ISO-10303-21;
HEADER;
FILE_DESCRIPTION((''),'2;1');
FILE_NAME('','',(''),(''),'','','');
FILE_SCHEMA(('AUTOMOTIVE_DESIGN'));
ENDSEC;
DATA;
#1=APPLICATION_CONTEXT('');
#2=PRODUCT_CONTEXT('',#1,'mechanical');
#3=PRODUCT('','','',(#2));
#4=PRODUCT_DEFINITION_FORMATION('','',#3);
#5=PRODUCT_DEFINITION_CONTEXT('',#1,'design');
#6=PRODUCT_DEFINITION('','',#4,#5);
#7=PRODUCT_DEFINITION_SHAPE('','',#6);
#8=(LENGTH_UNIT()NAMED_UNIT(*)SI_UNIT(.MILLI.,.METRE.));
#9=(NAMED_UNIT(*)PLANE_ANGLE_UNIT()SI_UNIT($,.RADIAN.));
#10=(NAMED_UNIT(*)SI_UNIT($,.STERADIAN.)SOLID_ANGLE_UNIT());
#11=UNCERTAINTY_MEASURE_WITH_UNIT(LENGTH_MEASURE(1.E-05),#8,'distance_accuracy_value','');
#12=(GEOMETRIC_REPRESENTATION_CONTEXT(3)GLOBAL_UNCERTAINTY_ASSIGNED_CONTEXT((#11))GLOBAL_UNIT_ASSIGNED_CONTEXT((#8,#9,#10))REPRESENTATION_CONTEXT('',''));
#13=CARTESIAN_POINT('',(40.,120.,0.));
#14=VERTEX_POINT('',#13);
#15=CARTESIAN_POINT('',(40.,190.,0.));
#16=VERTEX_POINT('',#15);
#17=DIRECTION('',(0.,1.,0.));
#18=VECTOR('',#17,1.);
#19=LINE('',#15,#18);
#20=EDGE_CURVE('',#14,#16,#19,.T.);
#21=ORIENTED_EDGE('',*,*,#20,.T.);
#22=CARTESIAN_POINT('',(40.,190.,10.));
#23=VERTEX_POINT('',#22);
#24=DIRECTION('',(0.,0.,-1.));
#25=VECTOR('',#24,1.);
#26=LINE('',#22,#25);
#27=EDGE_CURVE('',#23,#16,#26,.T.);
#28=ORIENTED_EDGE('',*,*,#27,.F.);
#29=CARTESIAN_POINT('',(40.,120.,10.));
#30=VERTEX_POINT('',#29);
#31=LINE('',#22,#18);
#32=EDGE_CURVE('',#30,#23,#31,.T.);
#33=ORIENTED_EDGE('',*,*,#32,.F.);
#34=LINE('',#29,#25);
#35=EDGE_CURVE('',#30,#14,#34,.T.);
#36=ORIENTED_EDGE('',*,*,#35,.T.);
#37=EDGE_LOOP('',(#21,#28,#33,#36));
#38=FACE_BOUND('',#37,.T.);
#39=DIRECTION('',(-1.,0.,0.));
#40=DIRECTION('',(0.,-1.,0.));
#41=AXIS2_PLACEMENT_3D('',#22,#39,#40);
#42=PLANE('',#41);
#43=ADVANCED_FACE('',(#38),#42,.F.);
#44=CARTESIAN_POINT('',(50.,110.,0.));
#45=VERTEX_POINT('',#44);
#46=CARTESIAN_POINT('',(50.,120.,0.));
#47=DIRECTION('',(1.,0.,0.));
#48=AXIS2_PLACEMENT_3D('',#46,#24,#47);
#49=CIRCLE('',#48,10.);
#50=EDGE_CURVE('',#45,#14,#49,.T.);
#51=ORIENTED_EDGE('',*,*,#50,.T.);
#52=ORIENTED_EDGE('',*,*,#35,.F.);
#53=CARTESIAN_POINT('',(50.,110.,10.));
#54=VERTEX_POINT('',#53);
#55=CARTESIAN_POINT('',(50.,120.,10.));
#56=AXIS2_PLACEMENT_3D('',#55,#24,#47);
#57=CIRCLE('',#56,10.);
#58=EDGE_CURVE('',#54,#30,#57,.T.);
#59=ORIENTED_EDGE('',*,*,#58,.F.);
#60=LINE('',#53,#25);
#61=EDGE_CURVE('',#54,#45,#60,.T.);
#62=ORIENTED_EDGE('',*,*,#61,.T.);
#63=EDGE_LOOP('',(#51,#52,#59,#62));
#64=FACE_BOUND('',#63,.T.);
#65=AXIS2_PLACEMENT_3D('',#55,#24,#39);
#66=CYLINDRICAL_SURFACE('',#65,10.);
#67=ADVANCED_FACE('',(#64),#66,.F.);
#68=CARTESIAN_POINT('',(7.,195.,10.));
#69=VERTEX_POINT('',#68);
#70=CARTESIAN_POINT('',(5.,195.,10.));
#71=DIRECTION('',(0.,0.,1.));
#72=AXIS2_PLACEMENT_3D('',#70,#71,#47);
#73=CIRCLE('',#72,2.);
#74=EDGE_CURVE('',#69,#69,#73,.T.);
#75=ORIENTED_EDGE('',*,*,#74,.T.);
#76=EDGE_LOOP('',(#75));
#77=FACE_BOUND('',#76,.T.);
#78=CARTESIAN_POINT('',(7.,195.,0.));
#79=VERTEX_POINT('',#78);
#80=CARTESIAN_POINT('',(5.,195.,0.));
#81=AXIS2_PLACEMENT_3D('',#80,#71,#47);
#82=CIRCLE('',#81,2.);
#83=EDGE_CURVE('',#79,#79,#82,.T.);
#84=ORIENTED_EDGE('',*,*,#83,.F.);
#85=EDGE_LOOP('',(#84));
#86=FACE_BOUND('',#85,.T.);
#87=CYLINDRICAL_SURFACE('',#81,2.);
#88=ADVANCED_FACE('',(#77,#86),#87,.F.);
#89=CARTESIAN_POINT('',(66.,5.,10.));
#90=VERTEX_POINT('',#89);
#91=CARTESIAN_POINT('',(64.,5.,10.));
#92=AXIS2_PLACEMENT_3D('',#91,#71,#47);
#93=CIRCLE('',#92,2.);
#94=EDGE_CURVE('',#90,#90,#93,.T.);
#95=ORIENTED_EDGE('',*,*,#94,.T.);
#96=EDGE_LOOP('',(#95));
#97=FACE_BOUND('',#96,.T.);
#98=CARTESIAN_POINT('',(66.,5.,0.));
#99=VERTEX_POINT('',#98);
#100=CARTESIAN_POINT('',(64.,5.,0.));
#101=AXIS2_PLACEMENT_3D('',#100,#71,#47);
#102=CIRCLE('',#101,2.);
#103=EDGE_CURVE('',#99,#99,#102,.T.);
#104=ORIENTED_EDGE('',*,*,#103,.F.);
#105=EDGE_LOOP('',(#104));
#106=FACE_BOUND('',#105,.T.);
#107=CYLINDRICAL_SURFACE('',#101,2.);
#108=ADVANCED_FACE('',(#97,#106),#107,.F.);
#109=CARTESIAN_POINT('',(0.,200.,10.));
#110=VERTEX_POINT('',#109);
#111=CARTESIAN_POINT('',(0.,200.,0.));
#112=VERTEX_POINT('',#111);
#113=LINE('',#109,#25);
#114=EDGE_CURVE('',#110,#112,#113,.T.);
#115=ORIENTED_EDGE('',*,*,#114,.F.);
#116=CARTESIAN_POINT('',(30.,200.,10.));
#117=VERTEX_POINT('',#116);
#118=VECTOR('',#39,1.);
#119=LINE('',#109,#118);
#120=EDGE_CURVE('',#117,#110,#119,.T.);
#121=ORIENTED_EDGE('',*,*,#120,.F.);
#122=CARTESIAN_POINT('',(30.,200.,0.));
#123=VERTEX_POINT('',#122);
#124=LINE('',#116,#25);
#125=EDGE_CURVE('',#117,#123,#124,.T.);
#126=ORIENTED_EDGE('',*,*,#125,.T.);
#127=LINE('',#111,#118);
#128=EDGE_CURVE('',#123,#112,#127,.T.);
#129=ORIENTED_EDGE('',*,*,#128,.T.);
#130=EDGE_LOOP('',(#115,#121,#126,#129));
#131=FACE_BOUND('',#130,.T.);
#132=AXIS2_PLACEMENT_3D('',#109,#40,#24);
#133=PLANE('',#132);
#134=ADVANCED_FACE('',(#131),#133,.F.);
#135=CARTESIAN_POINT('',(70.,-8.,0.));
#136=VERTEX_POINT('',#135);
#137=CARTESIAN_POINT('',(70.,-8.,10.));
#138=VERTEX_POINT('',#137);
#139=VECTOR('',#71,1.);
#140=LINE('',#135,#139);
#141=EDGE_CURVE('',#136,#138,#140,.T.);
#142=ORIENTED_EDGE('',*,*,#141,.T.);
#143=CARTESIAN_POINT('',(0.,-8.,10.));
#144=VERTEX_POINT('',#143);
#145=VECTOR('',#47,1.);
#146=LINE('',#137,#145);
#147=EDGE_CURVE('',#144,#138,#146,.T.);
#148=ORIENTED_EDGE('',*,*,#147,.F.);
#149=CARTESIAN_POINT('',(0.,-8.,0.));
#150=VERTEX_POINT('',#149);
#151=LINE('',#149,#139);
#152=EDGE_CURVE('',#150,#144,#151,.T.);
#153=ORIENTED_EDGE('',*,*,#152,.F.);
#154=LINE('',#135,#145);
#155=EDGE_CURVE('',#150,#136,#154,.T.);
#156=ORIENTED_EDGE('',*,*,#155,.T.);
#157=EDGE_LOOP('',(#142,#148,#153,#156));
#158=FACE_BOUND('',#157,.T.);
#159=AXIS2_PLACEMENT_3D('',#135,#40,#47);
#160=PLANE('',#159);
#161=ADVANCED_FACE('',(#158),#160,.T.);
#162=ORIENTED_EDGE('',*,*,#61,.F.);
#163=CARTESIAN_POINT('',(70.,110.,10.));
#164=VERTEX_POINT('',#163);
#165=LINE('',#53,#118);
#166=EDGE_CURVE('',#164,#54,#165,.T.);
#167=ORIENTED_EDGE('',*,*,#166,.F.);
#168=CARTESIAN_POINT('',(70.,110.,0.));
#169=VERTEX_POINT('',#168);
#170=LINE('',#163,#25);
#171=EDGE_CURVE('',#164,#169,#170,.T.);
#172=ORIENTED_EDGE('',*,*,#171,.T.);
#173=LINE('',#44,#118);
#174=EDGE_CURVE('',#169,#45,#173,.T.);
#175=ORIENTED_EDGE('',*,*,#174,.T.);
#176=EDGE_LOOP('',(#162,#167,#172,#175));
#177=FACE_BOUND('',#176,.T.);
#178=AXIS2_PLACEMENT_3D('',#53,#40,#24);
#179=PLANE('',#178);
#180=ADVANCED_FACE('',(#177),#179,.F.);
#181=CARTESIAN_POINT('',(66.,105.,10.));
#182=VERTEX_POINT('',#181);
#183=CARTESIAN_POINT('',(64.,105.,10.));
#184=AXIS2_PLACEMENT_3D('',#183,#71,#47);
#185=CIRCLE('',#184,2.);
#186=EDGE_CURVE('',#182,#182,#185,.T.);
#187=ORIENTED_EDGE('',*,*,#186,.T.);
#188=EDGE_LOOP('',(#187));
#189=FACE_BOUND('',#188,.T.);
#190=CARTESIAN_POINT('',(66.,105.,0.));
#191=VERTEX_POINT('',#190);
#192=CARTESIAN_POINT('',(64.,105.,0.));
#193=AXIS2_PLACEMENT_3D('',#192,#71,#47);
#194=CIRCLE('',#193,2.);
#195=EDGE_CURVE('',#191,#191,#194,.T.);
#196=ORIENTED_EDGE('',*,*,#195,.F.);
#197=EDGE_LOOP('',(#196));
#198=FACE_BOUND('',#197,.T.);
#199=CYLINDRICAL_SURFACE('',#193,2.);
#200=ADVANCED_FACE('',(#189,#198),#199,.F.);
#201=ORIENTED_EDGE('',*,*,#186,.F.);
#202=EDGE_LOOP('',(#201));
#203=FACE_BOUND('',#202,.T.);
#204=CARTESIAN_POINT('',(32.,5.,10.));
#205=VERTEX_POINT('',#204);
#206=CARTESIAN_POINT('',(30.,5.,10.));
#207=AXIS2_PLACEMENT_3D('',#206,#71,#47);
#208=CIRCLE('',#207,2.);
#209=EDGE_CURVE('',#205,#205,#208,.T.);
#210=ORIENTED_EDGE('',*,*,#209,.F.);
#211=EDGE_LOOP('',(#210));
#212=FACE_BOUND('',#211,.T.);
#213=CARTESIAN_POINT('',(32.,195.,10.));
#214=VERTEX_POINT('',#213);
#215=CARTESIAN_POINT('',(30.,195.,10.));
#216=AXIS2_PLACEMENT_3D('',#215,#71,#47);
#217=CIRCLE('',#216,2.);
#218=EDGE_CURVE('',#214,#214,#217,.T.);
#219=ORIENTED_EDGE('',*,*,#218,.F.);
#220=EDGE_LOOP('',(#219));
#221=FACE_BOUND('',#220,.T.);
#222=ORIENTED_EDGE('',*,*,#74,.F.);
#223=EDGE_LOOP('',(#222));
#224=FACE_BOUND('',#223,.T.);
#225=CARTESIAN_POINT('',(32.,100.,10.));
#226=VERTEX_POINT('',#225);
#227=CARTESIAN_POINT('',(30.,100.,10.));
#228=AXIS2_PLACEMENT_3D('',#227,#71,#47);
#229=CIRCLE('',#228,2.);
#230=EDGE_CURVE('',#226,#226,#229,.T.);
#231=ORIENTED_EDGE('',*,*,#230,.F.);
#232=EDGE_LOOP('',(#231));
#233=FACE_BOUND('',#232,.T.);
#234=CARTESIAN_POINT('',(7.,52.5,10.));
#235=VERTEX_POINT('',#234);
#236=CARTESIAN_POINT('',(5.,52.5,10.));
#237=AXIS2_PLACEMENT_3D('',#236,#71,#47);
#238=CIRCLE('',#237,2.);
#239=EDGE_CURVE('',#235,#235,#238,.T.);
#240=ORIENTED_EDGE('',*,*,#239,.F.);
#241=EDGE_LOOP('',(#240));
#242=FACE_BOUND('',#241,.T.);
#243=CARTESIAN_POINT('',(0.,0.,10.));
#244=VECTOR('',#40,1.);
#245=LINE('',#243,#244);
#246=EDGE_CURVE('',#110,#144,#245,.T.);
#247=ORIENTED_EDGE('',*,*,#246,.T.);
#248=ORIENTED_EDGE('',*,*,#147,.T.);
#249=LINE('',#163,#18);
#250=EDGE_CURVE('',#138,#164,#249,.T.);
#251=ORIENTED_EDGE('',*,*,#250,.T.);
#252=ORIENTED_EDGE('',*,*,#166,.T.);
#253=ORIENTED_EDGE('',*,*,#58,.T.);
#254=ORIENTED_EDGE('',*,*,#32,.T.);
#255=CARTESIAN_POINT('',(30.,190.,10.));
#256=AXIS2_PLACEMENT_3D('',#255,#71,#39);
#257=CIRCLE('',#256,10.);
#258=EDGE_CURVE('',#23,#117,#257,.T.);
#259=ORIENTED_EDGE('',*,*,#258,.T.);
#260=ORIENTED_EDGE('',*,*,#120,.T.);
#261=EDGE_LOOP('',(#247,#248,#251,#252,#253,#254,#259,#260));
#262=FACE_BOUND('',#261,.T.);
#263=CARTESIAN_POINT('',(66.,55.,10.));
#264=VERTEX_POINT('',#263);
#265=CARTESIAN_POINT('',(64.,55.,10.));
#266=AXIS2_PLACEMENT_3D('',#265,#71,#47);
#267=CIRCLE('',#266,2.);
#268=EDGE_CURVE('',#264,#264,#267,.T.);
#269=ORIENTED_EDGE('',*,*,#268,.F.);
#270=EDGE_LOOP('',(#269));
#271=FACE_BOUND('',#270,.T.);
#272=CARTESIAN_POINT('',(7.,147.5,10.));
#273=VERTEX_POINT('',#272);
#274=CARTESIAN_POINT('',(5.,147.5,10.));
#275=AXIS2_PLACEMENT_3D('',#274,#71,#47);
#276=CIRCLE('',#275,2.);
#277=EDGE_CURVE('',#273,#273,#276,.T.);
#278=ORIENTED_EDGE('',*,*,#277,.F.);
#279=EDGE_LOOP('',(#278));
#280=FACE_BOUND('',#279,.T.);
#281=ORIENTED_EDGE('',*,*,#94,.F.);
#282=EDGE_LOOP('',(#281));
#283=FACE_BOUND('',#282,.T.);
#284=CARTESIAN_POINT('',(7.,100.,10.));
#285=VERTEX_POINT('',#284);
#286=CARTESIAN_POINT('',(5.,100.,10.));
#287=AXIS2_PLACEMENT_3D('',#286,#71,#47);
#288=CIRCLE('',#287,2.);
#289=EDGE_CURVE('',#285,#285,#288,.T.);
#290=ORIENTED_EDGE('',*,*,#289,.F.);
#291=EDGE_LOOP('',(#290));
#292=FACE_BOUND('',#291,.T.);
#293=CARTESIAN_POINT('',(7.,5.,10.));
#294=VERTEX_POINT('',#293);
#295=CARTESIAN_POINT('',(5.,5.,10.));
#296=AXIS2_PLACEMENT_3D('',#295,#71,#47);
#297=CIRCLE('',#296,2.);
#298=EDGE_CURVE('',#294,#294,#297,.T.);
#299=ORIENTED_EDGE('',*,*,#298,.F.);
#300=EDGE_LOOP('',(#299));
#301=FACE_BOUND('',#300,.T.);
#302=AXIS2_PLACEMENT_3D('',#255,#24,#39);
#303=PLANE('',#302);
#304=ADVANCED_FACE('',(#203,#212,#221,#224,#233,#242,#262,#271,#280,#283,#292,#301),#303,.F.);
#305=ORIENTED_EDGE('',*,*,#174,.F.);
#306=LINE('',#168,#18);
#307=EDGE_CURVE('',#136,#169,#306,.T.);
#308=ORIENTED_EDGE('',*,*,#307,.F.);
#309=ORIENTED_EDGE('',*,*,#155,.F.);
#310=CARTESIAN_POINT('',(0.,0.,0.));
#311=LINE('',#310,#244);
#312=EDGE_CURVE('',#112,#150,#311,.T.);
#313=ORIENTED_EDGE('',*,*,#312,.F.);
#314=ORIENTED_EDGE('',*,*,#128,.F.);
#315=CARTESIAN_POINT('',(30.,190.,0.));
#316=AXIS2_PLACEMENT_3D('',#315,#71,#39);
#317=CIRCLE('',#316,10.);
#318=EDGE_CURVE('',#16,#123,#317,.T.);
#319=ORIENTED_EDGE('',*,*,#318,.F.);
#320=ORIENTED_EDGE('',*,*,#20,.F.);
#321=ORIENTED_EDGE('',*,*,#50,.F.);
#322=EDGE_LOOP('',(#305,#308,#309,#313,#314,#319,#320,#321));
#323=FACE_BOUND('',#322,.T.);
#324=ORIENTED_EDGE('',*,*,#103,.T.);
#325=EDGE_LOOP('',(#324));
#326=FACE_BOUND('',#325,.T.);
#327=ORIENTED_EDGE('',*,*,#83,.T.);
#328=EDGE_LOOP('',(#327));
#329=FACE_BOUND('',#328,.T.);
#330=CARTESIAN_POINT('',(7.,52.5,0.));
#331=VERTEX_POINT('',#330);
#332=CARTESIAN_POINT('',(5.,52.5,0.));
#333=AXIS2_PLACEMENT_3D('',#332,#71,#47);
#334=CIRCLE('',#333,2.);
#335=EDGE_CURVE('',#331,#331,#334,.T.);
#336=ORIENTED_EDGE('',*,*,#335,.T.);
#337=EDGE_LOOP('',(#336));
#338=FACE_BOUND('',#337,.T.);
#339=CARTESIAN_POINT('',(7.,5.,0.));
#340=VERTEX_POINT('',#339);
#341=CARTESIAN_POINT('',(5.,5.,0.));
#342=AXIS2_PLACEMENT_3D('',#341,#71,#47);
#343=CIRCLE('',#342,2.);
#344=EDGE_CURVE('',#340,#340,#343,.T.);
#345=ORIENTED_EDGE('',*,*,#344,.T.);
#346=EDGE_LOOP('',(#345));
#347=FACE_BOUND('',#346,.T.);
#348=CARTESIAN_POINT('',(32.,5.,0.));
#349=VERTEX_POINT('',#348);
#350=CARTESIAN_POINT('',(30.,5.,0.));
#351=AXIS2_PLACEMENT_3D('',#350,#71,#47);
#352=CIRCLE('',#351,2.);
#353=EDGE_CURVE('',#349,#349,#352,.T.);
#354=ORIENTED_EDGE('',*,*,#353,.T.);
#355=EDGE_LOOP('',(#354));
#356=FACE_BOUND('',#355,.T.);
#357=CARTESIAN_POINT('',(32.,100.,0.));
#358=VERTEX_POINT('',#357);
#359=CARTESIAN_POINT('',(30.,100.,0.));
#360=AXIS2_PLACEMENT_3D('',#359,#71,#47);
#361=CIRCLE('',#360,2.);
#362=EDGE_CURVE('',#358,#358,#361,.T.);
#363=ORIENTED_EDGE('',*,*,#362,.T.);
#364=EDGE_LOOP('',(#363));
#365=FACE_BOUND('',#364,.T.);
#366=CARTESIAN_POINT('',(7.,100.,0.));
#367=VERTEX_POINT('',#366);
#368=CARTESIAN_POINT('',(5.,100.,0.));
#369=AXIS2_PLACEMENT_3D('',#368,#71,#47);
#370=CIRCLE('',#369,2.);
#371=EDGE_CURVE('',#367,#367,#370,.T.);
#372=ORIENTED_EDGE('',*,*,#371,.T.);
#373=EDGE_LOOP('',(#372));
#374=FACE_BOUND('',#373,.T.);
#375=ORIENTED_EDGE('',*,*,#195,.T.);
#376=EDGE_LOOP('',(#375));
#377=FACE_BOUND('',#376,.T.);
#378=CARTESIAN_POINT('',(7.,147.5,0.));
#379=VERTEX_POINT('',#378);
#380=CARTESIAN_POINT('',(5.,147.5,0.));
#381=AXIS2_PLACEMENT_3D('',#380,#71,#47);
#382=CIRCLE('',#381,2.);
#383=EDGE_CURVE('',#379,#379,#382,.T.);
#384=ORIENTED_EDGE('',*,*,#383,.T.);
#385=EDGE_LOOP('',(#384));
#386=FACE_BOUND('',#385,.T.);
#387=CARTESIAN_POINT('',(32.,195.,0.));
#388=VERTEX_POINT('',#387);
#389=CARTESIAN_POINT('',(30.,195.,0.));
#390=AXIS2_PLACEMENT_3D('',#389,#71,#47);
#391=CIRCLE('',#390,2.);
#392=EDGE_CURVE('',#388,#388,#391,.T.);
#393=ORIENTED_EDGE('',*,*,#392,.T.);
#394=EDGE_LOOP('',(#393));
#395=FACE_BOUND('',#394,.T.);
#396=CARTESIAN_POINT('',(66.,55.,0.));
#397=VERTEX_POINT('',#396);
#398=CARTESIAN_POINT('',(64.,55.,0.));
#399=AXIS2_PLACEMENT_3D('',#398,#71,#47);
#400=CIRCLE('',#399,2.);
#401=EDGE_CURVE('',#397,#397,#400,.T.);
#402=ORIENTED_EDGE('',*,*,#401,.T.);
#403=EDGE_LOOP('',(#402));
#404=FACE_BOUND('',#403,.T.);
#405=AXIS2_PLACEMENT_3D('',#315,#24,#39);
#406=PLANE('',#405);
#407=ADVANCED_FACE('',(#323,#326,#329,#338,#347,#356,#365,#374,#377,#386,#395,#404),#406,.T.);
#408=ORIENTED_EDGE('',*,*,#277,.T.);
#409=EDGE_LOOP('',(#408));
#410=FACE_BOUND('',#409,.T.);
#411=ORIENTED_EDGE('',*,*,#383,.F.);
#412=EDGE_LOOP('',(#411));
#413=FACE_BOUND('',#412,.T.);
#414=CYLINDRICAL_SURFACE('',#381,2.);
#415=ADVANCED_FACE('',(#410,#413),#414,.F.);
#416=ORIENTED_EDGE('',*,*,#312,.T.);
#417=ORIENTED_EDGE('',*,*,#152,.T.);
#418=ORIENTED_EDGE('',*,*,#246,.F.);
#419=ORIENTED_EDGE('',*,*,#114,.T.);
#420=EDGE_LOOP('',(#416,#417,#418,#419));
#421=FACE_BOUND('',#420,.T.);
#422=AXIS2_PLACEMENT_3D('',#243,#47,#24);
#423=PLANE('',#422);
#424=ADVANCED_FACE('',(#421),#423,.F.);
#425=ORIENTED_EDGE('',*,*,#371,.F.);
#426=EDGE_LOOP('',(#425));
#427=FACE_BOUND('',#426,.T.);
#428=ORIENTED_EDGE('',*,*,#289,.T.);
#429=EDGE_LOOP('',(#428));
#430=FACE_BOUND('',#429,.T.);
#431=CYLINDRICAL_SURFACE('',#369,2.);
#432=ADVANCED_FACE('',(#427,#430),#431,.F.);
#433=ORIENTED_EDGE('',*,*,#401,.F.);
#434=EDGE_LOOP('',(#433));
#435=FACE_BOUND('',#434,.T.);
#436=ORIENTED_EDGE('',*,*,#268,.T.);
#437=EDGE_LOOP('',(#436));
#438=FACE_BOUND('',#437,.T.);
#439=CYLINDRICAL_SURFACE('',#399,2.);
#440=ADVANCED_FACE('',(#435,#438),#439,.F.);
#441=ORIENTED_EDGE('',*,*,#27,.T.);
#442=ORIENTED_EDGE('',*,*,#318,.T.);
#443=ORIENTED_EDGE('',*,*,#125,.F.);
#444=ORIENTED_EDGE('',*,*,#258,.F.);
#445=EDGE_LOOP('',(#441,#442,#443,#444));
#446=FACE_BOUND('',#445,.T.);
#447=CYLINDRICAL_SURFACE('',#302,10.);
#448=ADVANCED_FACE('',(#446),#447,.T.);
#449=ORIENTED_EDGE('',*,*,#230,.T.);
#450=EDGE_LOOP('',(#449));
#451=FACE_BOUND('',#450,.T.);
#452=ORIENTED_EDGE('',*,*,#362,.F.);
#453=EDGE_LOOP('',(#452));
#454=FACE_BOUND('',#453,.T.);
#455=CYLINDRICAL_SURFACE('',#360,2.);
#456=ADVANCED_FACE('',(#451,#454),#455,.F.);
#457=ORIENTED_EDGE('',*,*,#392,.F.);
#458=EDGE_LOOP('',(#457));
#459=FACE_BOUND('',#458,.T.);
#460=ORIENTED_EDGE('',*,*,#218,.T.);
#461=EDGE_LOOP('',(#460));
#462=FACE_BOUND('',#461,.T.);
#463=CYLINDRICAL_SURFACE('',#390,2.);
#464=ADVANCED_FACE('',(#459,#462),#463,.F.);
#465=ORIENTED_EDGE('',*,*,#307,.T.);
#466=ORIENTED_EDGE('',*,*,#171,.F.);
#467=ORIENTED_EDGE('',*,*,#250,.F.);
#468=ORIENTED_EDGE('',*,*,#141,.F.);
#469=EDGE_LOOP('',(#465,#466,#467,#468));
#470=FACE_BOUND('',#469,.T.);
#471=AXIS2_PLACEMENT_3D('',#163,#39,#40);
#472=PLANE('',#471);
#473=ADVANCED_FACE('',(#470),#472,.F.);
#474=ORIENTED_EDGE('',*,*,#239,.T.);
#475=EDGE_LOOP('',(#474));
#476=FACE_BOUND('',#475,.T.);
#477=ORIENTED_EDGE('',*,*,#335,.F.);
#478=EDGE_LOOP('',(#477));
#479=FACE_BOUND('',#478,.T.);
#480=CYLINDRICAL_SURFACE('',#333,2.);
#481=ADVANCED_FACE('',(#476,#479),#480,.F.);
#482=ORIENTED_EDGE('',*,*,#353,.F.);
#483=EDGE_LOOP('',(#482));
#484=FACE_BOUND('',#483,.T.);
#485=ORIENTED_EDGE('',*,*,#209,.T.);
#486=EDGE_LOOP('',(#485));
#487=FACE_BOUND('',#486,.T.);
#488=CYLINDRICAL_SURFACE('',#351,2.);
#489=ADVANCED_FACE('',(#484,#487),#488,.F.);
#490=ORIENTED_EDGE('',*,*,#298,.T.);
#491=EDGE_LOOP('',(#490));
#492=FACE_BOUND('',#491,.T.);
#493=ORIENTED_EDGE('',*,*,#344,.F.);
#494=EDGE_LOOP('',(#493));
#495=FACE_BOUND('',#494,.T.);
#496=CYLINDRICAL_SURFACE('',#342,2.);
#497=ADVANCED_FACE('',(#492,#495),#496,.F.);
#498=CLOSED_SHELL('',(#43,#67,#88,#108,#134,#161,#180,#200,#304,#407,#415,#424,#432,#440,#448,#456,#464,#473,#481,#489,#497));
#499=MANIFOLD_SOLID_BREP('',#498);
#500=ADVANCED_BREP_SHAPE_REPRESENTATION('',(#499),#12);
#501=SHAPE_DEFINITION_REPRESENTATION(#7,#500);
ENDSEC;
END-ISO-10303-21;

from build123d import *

# Parameters (mm, degrees)
SALIENTE_EXTRUIR1_DEPTH = 10
CROQUIS2_R              = 2
CORTAR_EXTRUIR1_DEPTH   = 213.132034356
CROQUIS3_W              = 70
CROQUIS3_H              = 8
SALIENTE_EXTRUIR2_DEPTH = 10


with BuildPart() as part:
    # Croquis1 → Saliente-Extruir1 (new body)
    with BuildSketch(Plane.XY):
        with BuildLine():
            Line((0, 0), (0, 200))
            Line((0, 200), (30, 200))
            ThreePointArc((30, 200), (37.071067812, 197.071067812), (40, 190))
            Line((40, 190), (40, 120))
            ThreePointArc((40, 120), (42.928932188, 112.928932188), (50, 110))
            Line((50, 110), (70, 110))
            Line((70, 110), (70, 0))
            Line((70, 0), (0, 0))
        make_face()
    extrude(amount=SALIENTE_EXTRUIR1_DEPTH)

    # Croquis2 → Cortar-Extruir1 (cut, through all)
    with BuildSketch(Plane.XY.offset(10)):
        with Locations((5, 195)):
            Circle(CROQUIS2_R)
        with Locations((5, 147.5)):
            Circle(CROQUIS2_R)
        with Locations((5, 100)):
            Circle(CROQUIS2_R)
        with Locations((5, 52.5)):
            Circle(CROQUIS2_R)
        with Locations((5, 5)):
            Circle(CROQUIS2_R)
        with Locations((64, 105)):
            Circle(CROQUIS2_R)
        with Locations((64, 55)):
            Circle(CROQUIS2_R)
        with Locations((64, 5)):
            Circle(CROQUIS2_R)
        with Locations((30, 195)):
            Circle(CROQUIS2_R)
        with Locations((30, 100)):
            Circle(CROQUIS2_R)
        with Locations((30, 5)):
            Circle(CROQUIS2_R)
    extrude(amount=-CORTAR_EXTRUIR1_DEPTH, mode=Mode.SUBTRACT)

    # Croquis3 → Saliente-Extruir2 (add)
    with BuildSketch(Plane.XY.offset(10)):
        with Locations((35, -4)):
            Rectangle(CROQUIS3_W, CROQUIS3_H)
    extrude(amount=-SALIENTE_EXTRUIR2_DEPTH)


solid = part.part
